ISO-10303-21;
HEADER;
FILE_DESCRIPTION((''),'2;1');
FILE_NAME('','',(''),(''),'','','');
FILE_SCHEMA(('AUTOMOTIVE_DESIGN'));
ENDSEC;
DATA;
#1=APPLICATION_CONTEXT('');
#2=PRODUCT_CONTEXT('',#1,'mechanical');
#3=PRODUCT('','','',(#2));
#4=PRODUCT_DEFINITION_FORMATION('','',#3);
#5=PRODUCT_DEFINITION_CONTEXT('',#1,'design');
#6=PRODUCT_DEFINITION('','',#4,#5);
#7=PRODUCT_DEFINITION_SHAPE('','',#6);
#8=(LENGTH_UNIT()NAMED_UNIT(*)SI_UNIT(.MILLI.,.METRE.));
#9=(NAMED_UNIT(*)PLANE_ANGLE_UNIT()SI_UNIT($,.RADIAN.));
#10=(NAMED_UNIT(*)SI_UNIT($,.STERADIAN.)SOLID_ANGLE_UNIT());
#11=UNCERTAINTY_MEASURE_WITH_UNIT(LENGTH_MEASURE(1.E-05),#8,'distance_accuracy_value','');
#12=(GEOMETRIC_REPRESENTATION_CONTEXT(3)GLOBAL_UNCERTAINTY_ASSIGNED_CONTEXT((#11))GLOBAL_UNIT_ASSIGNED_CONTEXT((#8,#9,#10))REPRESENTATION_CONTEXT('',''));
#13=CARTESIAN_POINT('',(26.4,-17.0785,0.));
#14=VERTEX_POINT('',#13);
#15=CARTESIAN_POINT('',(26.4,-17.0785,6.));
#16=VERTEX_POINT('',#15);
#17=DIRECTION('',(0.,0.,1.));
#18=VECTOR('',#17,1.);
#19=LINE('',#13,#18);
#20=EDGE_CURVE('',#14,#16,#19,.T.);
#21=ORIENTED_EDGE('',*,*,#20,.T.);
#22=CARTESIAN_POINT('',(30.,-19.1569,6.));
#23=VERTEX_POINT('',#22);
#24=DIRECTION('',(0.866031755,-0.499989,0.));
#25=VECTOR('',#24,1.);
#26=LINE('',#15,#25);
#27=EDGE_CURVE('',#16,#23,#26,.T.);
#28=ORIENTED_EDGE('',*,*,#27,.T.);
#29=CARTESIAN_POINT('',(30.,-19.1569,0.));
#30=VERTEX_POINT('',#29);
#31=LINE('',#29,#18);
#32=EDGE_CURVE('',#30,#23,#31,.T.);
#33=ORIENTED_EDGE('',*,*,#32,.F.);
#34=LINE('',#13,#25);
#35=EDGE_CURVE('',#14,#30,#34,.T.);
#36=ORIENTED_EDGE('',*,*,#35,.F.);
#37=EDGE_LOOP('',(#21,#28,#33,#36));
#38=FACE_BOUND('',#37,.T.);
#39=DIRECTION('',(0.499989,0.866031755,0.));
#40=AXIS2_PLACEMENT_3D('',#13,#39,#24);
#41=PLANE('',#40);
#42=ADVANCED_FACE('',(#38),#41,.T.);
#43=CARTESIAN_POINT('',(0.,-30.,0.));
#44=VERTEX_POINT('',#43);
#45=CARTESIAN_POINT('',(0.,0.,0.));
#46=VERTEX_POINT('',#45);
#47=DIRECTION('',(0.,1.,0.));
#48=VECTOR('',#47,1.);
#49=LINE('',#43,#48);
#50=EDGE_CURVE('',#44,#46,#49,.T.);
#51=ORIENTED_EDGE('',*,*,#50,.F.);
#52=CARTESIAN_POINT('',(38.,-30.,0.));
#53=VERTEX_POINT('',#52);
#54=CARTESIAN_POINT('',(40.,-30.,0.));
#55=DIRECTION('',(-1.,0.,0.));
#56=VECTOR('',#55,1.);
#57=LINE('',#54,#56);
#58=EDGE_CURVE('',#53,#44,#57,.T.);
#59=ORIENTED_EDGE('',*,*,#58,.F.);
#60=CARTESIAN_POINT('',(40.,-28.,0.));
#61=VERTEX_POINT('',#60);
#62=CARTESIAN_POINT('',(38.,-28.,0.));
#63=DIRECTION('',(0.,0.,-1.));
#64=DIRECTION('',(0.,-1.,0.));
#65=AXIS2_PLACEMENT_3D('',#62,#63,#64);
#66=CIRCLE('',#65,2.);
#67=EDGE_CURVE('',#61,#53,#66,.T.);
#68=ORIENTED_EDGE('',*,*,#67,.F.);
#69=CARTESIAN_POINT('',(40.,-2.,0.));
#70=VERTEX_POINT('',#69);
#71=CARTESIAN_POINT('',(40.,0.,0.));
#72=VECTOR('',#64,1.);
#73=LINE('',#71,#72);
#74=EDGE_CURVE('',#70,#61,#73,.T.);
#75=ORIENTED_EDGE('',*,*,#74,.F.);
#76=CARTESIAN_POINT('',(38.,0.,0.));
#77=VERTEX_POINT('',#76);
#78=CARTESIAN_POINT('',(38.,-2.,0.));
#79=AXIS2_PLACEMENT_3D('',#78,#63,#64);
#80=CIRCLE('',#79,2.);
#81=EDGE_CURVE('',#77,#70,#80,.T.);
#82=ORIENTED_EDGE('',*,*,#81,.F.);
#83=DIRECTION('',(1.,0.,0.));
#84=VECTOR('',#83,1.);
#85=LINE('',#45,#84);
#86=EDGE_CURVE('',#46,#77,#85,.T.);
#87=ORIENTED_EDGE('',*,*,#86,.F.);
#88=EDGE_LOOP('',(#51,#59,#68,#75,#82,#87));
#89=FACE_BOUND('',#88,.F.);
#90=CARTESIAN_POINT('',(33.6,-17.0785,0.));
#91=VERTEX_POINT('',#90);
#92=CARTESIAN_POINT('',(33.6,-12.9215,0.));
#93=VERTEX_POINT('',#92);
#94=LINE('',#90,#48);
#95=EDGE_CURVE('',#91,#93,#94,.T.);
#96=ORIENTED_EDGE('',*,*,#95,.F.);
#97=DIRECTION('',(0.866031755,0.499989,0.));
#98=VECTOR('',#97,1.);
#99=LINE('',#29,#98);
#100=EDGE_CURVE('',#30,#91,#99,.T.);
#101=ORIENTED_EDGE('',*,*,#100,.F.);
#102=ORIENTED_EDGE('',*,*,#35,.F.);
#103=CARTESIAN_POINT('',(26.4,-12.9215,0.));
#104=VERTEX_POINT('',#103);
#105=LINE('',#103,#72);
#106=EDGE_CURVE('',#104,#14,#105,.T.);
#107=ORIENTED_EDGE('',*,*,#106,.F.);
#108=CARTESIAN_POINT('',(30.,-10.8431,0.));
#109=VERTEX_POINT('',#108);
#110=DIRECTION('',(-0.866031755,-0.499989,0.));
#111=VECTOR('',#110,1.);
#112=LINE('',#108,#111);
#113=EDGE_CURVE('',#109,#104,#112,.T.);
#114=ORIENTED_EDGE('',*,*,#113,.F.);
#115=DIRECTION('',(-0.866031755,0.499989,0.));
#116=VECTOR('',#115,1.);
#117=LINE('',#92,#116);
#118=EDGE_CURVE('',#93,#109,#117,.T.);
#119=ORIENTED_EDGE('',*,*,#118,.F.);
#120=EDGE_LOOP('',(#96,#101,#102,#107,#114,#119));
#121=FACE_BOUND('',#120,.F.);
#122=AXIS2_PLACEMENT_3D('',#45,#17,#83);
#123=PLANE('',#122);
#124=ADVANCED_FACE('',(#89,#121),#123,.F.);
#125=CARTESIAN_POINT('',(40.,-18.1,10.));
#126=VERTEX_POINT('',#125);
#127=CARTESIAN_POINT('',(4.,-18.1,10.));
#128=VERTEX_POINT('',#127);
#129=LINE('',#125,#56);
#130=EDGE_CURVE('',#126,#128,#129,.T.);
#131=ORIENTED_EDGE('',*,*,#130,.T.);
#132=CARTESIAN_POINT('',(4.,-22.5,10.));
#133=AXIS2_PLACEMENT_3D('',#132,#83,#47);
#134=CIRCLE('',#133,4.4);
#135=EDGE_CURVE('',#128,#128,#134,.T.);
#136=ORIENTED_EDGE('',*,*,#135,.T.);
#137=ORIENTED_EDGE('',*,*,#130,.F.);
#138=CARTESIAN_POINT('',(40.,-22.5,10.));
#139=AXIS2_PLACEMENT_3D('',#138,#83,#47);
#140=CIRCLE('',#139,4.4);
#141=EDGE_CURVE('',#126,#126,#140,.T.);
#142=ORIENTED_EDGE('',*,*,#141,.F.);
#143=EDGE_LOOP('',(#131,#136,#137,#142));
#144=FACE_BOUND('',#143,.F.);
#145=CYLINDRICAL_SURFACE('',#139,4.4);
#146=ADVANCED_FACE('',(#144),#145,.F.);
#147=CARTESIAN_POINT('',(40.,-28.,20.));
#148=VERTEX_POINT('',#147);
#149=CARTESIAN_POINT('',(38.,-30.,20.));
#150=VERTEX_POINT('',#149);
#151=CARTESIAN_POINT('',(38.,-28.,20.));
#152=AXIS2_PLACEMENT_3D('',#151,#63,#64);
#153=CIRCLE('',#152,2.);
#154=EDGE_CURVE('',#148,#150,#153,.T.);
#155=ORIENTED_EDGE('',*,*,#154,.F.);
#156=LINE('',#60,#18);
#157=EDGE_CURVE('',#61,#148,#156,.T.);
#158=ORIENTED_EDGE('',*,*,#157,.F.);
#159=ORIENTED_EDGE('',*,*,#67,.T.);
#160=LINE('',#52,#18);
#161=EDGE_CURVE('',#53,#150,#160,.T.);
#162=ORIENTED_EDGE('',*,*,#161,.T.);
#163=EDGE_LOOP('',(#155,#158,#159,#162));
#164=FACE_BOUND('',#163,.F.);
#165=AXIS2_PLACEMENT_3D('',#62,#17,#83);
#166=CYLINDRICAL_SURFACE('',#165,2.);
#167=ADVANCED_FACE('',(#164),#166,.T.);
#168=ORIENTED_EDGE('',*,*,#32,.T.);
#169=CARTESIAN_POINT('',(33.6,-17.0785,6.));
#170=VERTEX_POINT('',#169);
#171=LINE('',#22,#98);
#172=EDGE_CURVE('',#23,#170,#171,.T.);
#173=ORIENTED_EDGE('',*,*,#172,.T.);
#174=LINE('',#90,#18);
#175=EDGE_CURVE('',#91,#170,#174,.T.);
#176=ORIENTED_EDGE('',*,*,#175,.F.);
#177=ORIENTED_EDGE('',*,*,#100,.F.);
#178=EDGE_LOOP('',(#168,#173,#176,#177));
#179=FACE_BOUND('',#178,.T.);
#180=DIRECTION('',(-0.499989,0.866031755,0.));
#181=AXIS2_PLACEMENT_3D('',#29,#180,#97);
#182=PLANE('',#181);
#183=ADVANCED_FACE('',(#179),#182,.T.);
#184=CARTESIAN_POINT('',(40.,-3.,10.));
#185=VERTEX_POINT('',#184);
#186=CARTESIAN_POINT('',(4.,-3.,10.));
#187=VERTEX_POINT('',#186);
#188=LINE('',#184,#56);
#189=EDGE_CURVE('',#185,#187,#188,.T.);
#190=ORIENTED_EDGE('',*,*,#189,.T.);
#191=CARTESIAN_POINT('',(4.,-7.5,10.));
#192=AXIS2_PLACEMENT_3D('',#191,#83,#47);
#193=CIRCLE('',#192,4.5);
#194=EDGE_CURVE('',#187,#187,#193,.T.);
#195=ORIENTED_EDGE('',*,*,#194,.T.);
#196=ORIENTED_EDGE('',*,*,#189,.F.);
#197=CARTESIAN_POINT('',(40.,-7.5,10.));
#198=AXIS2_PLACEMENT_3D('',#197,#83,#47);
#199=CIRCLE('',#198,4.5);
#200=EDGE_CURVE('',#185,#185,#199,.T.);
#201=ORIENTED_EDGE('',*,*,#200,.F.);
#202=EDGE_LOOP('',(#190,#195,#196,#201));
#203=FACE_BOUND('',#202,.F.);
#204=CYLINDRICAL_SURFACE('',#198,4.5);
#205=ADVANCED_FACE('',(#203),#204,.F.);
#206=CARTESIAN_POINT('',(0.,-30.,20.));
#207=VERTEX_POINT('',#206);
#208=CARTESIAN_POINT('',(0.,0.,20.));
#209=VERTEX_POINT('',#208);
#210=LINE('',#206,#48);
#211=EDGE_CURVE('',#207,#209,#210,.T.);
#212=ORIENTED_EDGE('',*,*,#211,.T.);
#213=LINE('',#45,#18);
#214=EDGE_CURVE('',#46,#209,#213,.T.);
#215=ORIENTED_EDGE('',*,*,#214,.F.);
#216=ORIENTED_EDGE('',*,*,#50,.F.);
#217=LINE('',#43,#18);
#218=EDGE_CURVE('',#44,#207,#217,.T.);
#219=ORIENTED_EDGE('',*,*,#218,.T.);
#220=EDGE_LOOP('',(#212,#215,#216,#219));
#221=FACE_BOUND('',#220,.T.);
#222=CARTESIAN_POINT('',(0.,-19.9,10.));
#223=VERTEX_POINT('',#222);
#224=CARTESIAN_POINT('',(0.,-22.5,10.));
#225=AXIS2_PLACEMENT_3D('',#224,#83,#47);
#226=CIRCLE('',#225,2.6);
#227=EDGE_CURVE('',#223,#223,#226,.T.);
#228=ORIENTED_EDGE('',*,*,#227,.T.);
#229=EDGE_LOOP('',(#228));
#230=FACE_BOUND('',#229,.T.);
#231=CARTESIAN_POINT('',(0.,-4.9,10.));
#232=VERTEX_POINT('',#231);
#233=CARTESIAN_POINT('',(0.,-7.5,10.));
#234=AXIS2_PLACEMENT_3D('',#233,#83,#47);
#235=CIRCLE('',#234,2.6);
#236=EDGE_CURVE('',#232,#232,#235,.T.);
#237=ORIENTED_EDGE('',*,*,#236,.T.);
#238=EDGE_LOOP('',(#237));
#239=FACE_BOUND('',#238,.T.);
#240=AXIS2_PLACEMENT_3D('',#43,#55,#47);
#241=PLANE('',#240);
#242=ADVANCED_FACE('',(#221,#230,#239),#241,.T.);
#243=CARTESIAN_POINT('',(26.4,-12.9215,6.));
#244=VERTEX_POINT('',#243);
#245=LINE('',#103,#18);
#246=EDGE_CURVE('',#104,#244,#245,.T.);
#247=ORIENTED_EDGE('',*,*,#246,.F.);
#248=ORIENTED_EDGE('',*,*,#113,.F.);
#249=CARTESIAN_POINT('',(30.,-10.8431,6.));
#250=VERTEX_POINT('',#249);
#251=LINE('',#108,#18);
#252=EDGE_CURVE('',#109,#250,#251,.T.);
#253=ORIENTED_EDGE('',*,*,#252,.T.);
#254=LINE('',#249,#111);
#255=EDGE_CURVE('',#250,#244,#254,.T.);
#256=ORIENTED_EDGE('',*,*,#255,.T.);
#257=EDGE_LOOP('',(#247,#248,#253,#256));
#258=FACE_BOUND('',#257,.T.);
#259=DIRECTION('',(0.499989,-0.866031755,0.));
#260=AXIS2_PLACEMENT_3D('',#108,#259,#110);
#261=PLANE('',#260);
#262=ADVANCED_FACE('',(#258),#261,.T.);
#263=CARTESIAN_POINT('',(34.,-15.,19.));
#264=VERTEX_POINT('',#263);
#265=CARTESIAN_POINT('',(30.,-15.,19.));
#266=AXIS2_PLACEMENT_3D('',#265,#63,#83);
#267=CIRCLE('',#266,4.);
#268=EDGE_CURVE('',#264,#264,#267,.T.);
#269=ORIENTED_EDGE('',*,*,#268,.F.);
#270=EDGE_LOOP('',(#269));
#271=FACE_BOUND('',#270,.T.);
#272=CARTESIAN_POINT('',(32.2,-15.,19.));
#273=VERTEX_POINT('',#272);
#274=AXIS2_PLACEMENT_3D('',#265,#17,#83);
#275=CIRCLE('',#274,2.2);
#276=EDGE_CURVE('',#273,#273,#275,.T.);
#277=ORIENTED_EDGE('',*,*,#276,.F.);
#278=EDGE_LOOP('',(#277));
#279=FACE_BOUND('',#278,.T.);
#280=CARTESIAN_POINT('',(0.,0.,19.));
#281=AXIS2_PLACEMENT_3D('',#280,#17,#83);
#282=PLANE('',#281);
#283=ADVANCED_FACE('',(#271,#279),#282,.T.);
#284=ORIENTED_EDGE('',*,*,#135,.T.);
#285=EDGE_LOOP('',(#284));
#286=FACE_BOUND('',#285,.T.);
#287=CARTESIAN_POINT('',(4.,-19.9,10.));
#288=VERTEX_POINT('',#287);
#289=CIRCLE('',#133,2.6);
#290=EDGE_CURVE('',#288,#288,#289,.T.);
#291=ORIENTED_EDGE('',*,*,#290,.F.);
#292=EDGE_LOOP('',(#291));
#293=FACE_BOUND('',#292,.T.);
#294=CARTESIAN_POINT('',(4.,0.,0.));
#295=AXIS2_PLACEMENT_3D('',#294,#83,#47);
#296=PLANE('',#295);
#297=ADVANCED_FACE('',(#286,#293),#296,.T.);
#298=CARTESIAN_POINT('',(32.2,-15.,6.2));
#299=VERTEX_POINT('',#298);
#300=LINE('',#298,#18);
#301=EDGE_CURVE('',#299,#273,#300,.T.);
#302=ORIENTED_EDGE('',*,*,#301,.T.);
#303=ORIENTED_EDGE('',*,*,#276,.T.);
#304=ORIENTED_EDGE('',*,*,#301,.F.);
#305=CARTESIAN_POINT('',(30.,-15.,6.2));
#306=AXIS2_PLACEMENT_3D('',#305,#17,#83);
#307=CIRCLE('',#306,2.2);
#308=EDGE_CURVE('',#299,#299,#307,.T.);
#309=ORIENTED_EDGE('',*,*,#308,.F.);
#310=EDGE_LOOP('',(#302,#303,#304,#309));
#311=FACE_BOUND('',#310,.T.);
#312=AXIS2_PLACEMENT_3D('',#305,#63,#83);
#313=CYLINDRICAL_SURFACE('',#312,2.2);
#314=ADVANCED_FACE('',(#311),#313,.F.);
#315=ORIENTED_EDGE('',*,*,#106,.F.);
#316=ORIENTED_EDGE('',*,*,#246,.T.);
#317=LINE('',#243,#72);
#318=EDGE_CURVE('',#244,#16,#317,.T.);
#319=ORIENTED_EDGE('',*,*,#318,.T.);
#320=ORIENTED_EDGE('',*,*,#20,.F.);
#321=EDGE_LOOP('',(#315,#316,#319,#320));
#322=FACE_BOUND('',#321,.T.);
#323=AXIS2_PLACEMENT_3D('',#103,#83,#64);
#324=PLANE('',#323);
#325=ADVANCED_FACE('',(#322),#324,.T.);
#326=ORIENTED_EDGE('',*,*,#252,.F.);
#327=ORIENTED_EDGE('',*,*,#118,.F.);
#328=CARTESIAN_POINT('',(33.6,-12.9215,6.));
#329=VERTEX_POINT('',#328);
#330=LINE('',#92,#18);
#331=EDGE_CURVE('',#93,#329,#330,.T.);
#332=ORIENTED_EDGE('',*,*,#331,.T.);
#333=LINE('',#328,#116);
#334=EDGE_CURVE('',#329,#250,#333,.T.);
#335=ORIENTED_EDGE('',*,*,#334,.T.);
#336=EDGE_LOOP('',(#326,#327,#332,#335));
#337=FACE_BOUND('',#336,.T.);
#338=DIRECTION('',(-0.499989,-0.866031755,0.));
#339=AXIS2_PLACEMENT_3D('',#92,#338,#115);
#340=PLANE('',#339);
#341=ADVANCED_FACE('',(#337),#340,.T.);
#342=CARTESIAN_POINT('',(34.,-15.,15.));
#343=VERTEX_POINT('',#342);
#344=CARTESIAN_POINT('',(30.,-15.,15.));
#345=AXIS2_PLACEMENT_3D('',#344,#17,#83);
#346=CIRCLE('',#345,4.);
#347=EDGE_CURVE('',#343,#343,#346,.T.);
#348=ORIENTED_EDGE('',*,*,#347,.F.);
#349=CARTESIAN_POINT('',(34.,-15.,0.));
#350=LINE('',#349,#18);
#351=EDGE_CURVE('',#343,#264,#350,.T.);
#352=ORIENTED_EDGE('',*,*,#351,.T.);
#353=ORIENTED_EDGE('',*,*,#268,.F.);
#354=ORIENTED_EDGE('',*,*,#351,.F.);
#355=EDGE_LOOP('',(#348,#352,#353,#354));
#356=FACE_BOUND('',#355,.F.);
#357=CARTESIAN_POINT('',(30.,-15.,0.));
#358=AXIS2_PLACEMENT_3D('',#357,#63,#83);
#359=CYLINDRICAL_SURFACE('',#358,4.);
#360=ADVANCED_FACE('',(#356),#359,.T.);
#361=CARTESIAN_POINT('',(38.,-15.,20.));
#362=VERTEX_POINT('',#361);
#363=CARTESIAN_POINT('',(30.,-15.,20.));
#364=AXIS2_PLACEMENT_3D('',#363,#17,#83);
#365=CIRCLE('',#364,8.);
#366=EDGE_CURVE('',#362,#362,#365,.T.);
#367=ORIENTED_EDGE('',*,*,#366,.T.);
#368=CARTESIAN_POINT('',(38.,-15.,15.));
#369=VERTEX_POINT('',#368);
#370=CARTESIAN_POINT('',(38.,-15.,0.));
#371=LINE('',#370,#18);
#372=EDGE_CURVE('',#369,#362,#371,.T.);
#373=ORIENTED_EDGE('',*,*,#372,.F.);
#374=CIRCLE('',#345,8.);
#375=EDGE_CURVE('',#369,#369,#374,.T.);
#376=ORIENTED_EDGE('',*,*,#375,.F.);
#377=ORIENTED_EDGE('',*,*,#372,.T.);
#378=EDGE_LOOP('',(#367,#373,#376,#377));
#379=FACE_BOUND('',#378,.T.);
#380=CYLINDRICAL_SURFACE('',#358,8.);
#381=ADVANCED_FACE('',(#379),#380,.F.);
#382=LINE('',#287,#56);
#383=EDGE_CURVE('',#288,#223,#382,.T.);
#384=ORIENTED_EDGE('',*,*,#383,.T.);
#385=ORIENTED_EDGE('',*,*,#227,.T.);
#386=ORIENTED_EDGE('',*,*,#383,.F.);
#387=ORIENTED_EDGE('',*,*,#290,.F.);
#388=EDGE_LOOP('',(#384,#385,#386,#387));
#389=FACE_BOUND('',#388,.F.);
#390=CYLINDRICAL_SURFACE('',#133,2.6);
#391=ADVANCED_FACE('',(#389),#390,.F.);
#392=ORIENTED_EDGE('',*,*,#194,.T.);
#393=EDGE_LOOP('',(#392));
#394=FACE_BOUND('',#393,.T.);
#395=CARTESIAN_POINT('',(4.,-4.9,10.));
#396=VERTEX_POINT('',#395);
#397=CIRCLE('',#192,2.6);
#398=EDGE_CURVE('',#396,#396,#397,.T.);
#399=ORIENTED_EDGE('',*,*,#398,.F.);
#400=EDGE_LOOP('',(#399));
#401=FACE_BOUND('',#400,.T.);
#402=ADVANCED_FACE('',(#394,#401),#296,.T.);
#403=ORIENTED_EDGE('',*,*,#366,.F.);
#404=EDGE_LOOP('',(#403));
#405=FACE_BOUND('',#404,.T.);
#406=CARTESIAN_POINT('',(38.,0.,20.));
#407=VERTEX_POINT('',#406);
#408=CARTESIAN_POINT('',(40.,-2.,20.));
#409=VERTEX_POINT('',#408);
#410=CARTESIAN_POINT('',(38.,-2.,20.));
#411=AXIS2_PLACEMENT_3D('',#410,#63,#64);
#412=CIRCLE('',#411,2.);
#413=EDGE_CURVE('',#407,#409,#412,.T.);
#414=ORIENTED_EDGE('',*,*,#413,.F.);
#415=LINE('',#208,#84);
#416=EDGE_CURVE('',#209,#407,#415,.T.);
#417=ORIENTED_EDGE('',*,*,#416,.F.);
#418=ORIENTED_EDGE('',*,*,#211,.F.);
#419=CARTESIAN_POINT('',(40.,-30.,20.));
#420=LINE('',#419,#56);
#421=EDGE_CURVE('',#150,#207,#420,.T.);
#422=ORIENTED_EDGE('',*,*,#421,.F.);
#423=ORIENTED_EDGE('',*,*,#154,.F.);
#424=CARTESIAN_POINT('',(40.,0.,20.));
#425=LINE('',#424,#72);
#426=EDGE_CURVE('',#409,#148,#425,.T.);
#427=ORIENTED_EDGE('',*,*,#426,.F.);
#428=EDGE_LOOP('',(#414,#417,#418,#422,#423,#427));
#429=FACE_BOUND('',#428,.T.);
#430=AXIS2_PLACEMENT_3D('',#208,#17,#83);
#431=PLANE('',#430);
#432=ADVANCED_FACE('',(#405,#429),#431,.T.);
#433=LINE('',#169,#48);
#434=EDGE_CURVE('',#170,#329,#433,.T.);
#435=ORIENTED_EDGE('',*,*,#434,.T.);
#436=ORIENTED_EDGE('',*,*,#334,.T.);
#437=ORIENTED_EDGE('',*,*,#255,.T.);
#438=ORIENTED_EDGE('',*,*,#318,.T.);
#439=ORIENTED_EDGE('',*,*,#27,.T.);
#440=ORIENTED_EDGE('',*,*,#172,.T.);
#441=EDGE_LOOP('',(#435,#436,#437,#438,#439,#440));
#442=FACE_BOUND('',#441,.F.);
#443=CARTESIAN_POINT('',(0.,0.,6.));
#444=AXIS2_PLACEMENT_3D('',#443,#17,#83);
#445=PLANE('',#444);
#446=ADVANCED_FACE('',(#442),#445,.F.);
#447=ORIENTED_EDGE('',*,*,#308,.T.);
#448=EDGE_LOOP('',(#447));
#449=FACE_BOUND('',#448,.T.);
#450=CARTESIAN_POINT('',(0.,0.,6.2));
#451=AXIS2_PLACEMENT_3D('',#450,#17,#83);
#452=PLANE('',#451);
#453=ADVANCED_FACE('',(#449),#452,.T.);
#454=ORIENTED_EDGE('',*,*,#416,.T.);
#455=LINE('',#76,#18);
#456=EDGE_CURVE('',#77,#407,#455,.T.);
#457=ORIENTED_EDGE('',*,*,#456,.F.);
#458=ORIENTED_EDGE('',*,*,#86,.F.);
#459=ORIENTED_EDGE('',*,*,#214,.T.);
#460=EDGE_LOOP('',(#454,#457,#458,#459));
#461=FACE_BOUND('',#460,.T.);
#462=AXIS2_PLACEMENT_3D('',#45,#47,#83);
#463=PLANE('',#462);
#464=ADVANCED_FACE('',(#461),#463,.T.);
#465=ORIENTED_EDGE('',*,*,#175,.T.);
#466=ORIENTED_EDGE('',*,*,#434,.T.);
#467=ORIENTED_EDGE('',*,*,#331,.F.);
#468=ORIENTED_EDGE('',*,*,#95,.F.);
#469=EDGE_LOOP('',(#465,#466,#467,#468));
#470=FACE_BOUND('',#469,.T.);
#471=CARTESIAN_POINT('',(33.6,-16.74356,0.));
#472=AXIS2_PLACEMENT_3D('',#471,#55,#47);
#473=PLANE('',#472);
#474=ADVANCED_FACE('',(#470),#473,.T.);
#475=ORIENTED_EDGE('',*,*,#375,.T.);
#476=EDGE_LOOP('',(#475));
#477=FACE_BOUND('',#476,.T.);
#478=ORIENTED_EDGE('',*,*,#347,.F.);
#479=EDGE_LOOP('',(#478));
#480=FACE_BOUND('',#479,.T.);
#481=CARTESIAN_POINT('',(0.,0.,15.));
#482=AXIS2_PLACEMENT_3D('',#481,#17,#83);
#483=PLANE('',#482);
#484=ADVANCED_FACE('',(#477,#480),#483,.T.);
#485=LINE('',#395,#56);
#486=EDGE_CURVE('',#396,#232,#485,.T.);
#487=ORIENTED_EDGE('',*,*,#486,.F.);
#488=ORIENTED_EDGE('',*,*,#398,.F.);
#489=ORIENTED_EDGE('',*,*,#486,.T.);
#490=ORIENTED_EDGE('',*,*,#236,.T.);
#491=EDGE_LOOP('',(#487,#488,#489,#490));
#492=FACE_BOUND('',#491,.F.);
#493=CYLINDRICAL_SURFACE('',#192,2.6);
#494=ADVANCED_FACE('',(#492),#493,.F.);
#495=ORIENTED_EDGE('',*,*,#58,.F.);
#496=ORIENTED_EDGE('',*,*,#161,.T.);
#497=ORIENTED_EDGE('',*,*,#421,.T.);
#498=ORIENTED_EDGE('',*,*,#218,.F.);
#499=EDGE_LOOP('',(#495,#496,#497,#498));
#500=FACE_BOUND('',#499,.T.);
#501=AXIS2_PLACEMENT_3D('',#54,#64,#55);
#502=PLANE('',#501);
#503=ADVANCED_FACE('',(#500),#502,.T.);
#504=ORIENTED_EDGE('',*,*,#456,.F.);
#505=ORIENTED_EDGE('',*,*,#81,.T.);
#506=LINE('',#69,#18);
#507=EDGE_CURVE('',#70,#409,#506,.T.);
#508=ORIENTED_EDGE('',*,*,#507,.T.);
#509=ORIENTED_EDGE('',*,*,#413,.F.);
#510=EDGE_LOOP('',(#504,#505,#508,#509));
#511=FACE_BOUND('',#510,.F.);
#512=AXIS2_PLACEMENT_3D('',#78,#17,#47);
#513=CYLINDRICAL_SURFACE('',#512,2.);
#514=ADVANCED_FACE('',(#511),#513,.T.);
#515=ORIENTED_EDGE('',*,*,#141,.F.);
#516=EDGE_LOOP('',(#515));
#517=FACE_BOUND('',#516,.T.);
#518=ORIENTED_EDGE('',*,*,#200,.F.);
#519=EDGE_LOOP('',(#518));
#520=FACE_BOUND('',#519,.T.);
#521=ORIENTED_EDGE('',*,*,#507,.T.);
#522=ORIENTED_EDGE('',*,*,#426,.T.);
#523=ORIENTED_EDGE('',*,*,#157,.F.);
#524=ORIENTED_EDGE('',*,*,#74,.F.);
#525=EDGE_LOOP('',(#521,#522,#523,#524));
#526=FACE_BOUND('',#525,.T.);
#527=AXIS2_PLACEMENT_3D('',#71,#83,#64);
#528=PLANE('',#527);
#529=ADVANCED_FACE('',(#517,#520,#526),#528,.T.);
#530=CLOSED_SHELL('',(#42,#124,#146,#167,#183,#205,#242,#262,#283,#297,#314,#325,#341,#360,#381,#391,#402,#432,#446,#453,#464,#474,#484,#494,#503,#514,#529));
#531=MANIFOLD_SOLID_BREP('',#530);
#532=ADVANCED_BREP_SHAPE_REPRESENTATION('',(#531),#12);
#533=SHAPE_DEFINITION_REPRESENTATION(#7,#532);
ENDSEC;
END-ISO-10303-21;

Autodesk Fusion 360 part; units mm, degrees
sketch "Sketch1" plane through (0, 0, 0) normal (0, 0, 1) x (1, 0, 0)
  line L0 (0, 0) -> (40, 0)
  line L1 (40, 0) -> (40, -30)
  line L2 (40, -30) -> (0, -30)
  line L3 (0, -30) -> (0, 0)
  line L4 (30, 0) -> (30, -30) construction
  line L5 (40, -15) -> (0, -15) construction
  circle A0 centre (30, -15) radius 8
  circle A1 centre (30, -15) radius 4
  circle A2 centre (30, -15) radius 2.2
  line L6 (33.6, -12.9215) -> (30, -10.8431)
  line L7 (30, -10.8431) -> (26.4, -12.9215)
  line L8 (26.4, -12.9215) -> (26.4, -17.0785)
  line L9 (26.4, -17.0785) -> (30, -19.1569)
  line L10 (30, -19.1569) -> (33.6, -17.0785)
  line L11 (33.6, -17.0785) -> (33.6, -12.9215)
  point P0 (30, -15)
  dimension "d1" = 40
  dimension "d2" = 30
  dimension "d3" = 10
  dimension "d4" = 15
  dimension "d5" = 16
  dimension "d6" = 8
  dimension "d7" = 4.4
  dimension "d17" = 3.6
extrude "Extrude1" add sketch "Sketch1" along normal blind 20 contours L0 L1 L2 L3
extrude "Extrude3" add sketch "Sketch1" along normal blind 15 contours A0 | A1 L6 L11 | A1 L10 L11 | A1 L6 L7 | A1 L9 L10 | A1 L7 L8 | A1 L8 L9
extrude "Extrude4" add sketch "Sketch1" along normal blind 19 contours A1 L11 | A1 L6 L7 L8 L9 L10 L11 | A1 L6 | A1 L10 | A1 L7 | A1 L9 | A1 L8 | A2
extrude "Extrude5" cut sketch "Sketch1" along normal blind 6 contours A1 L6 L7 L8 L9 L10 L11 | A1 L6 L11 | A1 L10 L11 | A1 L6 L7 | A1 L9 L10 | A1 L7 L8 | A1 L8 L9 | A2
extrude "Extrude8" cut sketch "Sketch1" along normal up to surface (12.8 mm away) from surface at 6.2 contours A2
sketch "Sketch2" plane through (40, 0, 0) normal (1, 0, 0) x (0, 1, 0)
  line L0 (-30, 0) -> (0, 0)
  line L1 (0, 0) -> (0, 20)
  line L2 (0, 20) -> (-30, 20)
  line L3 (-30, 20) -> (-30, 0)
  line L4 (-22.5, 20) -> (-22.5, 0) construction
  line L5 (-7.5, 20) -> (-7.5, 0) construction
  line L6 (-30, 10) -> (0, 10) construction
  line L7 (0, 0) -> (-30, 0) construction
  line L8 (-15, 20) -> (-15, 0) construction
  circle A0 centre (-7.5, 10) radius 2.6
  circle A1 centre (-7.5, 10) radius 4.5
  circle A2 centre (-22.5, 10) radius 2.6
  circle A3 centre (-22.5, 10) radius 4.4
  dimension "d21" = 10
  dimension "d22" = 15
  dimension "d23" = 15
  dimension "d24" = 7.5
  dimension "d25" = 5.2
  dimension "d26" = 9
  dimension "d27" = 5.2
  dimension "d28" = 8.8
extrude "Extrude6" cut sketch "Sketch2" against normal up to surface (36 mm away) contours A0 | A1 | A2 | A3
extrude "Extrude7" cut sketch "Sketch2" against normal up to surface (4 mm away) from surface at -36 contours A0 | A2
fillet "Fillet1" radius 2 2 edges at (40, 0, 10) (40, -30, 10)
